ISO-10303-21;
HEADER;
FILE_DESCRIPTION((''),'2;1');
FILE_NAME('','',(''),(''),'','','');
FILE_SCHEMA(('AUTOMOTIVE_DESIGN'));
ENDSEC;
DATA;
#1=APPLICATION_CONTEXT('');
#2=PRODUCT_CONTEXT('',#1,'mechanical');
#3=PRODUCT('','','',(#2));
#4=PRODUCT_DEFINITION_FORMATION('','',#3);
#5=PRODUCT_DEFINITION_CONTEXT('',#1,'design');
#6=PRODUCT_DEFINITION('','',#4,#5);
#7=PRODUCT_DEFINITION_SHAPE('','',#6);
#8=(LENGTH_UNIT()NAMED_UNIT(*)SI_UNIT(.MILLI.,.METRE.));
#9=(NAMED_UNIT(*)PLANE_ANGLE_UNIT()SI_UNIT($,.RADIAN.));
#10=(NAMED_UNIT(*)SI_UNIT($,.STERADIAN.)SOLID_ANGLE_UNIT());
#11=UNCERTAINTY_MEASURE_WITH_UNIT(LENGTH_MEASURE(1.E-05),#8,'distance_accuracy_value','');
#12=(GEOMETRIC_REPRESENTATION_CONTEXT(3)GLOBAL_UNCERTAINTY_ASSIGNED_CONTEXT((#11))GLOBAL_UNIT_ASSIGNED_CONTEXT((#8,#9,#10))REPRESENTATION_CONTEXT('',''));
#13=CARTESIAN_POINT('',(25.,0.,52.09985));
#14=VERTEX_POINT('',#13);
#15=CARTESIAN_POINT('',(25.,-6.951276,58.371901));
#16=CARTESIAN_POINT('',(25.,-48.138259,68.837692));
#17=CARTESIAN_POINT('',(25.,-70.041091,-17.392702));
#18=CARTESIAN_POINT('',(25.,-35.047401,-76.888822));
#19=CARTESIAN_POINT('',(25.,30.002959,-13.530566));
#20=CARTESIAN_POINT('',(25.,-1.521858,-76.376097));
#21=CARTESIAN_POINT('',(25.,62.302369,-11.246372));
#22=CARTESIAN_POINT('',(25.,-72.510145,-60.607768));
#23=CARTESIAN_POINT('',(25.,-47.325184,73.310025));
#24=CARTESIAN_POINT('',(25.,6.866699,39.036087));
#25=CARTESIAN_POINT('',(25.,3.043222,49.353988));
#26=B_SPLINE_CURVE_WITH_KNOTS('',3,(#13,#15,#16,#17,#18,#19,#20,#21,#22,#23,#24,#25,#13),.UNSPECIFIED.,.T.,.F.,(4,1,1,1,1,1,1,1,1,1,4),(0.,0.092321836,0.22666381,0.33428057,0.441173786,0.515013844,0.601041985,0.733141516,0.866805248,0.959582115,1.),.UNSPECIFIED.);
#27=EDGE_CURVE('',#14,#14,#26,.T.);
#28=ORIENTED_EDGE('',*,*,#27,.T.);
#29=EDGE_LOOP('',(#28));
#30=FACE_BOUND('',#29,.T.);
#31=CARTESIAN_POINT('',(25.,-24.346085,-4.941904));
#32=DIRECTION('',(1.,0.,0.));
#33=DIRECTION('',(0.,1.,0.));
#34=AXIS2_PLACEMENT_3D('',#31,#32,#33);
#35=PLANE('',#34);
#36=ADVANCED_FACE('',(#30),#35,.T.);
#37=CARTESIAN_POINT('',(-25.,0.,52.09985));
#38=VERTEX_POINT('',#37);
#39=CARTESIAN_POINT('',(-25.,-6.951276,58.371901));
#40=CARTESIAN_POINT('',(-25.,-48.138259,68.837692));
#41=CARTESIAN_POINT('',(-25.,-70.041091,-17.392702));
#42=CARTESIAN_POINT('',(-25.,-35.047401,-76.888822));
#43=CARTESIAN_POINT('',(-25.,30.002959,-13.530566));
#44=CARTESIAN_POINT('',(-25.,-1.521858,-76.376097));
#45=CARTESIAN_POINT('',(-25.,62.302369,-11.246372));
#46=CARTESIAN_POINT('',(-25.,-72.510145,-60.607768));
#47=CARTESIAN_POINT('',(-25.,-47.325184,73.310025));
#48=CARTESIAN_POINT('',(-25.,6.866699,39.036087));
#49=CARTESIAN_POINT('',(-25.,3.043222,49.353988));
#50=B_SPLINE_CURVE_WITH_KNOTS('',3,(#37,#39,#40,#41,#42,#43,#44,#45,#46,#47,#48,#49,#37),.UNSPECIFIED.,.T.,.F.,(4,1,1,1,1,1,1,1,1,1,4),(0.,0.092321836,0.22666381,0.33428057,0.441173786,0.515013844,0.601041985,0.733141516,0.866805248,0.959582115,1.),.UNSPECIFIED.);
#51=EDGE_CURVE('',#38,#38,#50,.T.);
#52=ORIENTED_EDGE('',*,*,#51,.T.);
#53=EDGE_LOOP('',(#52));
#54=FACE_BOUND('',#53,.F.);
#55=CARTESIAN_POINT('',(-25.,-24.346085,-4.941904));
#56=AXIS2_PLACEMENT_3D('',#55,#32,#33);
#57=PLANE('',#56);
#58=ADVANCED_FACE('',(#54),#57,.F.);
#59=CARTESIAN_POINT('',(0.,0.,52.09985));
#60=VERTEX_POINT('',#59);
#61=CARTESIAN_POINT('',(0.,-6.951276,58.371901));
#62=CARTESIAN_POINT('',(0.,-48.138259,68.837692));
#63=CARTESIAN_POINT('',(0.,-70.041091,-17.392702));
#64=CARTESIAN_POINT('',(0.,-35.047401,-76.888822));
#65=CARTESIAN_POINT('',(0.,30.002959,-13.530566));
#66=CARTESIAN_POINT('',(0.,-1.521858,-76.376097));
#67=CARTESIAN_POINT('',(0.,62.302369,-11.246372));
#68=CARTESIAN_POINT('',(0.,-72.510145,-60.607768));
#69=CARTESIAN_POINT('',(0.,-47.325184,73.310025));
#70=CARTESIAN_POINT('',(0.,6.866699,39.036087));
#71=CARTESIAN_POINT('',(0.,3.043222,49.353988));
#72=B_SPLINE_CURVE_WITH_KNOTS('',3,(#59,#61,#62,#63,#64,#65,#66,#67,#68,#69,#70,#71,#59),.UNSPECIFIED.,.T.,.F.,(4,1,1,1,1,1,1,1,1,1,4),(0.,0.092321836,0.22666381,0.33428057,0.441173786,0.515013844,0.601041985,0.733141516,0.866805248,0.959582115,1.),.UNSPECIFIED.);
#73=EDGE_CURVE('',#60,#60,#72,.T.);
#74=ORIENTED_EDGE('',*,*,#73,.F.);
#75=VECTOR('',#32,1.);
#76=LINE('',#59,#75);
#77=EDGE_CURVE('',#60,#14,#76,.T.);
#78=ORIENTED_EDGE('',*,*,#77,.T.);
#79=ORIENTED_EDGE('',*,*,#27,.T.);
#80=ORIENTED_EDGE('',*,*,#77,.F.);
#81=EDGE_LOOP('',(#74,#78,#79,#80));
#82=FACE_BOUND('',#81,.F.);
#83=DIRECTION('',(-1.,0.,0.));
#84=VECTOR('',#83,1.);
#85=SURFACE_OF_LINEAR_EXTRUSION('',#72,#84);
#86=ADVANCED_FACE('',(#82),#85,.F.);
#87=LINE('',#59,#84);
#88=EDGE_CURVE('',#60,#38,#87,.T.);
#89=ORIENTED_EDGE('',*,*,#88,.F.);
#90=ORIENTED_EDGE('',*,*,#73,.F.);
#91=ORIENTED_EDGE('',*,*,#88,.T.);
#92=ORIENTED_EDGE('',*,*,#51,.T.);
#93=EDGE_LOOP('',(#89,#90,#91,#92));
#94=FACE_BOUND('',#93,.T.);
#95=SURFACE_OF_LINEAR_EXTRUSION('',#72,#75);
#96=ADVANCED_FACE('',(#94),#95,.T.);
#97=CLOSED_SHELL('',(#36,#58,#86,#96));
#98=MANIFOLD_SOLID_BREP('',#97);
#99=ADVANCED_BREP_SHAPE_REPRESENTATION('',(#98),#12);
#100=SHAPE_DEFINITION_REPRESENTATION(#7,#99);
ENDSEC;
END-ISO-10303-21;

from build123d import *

# Parameters (mm, degrees)
F1_DEPTH = 25


with BuildPart() as f1:
    # F0 (on Right) → F1 (new body, symmetric)
    with BuildSketch(Plane.YZ):
        with BuildLine():
            add(Edge.make_bspline(
                [(0, 52.0998500288), (-6.9512762022, 58.3719006245), (-48.1382594912, 68.8376915247), (-70.041090881, -17.3927016363), (-35.0474009382, -76.8888216313), (30.0029587567, -13.5305657672), (-1.5218579799, -76.3760974123), (62.3023685223, -11.2463723442), (-72.5101454477, -60.607767716), (-47.3251839666, 73.310025495), (6.8666988042, 39.0360869846), (3.0432224343, 49.3539880421), (0, 52.0998500288)],
                knots=[0, 0, 0, 0, 0.0923218358, 0.2266638104, 0.33428057, 0.4411737865, 0.5150138445, 0.6010419846, 0.7331415163, 0.8668052483, 0.959582115, 1, 1, 1, 1], degree=3))
        make_face()
    extrude(amount=F1_DEPTH, both=True)


solid = f1.part
